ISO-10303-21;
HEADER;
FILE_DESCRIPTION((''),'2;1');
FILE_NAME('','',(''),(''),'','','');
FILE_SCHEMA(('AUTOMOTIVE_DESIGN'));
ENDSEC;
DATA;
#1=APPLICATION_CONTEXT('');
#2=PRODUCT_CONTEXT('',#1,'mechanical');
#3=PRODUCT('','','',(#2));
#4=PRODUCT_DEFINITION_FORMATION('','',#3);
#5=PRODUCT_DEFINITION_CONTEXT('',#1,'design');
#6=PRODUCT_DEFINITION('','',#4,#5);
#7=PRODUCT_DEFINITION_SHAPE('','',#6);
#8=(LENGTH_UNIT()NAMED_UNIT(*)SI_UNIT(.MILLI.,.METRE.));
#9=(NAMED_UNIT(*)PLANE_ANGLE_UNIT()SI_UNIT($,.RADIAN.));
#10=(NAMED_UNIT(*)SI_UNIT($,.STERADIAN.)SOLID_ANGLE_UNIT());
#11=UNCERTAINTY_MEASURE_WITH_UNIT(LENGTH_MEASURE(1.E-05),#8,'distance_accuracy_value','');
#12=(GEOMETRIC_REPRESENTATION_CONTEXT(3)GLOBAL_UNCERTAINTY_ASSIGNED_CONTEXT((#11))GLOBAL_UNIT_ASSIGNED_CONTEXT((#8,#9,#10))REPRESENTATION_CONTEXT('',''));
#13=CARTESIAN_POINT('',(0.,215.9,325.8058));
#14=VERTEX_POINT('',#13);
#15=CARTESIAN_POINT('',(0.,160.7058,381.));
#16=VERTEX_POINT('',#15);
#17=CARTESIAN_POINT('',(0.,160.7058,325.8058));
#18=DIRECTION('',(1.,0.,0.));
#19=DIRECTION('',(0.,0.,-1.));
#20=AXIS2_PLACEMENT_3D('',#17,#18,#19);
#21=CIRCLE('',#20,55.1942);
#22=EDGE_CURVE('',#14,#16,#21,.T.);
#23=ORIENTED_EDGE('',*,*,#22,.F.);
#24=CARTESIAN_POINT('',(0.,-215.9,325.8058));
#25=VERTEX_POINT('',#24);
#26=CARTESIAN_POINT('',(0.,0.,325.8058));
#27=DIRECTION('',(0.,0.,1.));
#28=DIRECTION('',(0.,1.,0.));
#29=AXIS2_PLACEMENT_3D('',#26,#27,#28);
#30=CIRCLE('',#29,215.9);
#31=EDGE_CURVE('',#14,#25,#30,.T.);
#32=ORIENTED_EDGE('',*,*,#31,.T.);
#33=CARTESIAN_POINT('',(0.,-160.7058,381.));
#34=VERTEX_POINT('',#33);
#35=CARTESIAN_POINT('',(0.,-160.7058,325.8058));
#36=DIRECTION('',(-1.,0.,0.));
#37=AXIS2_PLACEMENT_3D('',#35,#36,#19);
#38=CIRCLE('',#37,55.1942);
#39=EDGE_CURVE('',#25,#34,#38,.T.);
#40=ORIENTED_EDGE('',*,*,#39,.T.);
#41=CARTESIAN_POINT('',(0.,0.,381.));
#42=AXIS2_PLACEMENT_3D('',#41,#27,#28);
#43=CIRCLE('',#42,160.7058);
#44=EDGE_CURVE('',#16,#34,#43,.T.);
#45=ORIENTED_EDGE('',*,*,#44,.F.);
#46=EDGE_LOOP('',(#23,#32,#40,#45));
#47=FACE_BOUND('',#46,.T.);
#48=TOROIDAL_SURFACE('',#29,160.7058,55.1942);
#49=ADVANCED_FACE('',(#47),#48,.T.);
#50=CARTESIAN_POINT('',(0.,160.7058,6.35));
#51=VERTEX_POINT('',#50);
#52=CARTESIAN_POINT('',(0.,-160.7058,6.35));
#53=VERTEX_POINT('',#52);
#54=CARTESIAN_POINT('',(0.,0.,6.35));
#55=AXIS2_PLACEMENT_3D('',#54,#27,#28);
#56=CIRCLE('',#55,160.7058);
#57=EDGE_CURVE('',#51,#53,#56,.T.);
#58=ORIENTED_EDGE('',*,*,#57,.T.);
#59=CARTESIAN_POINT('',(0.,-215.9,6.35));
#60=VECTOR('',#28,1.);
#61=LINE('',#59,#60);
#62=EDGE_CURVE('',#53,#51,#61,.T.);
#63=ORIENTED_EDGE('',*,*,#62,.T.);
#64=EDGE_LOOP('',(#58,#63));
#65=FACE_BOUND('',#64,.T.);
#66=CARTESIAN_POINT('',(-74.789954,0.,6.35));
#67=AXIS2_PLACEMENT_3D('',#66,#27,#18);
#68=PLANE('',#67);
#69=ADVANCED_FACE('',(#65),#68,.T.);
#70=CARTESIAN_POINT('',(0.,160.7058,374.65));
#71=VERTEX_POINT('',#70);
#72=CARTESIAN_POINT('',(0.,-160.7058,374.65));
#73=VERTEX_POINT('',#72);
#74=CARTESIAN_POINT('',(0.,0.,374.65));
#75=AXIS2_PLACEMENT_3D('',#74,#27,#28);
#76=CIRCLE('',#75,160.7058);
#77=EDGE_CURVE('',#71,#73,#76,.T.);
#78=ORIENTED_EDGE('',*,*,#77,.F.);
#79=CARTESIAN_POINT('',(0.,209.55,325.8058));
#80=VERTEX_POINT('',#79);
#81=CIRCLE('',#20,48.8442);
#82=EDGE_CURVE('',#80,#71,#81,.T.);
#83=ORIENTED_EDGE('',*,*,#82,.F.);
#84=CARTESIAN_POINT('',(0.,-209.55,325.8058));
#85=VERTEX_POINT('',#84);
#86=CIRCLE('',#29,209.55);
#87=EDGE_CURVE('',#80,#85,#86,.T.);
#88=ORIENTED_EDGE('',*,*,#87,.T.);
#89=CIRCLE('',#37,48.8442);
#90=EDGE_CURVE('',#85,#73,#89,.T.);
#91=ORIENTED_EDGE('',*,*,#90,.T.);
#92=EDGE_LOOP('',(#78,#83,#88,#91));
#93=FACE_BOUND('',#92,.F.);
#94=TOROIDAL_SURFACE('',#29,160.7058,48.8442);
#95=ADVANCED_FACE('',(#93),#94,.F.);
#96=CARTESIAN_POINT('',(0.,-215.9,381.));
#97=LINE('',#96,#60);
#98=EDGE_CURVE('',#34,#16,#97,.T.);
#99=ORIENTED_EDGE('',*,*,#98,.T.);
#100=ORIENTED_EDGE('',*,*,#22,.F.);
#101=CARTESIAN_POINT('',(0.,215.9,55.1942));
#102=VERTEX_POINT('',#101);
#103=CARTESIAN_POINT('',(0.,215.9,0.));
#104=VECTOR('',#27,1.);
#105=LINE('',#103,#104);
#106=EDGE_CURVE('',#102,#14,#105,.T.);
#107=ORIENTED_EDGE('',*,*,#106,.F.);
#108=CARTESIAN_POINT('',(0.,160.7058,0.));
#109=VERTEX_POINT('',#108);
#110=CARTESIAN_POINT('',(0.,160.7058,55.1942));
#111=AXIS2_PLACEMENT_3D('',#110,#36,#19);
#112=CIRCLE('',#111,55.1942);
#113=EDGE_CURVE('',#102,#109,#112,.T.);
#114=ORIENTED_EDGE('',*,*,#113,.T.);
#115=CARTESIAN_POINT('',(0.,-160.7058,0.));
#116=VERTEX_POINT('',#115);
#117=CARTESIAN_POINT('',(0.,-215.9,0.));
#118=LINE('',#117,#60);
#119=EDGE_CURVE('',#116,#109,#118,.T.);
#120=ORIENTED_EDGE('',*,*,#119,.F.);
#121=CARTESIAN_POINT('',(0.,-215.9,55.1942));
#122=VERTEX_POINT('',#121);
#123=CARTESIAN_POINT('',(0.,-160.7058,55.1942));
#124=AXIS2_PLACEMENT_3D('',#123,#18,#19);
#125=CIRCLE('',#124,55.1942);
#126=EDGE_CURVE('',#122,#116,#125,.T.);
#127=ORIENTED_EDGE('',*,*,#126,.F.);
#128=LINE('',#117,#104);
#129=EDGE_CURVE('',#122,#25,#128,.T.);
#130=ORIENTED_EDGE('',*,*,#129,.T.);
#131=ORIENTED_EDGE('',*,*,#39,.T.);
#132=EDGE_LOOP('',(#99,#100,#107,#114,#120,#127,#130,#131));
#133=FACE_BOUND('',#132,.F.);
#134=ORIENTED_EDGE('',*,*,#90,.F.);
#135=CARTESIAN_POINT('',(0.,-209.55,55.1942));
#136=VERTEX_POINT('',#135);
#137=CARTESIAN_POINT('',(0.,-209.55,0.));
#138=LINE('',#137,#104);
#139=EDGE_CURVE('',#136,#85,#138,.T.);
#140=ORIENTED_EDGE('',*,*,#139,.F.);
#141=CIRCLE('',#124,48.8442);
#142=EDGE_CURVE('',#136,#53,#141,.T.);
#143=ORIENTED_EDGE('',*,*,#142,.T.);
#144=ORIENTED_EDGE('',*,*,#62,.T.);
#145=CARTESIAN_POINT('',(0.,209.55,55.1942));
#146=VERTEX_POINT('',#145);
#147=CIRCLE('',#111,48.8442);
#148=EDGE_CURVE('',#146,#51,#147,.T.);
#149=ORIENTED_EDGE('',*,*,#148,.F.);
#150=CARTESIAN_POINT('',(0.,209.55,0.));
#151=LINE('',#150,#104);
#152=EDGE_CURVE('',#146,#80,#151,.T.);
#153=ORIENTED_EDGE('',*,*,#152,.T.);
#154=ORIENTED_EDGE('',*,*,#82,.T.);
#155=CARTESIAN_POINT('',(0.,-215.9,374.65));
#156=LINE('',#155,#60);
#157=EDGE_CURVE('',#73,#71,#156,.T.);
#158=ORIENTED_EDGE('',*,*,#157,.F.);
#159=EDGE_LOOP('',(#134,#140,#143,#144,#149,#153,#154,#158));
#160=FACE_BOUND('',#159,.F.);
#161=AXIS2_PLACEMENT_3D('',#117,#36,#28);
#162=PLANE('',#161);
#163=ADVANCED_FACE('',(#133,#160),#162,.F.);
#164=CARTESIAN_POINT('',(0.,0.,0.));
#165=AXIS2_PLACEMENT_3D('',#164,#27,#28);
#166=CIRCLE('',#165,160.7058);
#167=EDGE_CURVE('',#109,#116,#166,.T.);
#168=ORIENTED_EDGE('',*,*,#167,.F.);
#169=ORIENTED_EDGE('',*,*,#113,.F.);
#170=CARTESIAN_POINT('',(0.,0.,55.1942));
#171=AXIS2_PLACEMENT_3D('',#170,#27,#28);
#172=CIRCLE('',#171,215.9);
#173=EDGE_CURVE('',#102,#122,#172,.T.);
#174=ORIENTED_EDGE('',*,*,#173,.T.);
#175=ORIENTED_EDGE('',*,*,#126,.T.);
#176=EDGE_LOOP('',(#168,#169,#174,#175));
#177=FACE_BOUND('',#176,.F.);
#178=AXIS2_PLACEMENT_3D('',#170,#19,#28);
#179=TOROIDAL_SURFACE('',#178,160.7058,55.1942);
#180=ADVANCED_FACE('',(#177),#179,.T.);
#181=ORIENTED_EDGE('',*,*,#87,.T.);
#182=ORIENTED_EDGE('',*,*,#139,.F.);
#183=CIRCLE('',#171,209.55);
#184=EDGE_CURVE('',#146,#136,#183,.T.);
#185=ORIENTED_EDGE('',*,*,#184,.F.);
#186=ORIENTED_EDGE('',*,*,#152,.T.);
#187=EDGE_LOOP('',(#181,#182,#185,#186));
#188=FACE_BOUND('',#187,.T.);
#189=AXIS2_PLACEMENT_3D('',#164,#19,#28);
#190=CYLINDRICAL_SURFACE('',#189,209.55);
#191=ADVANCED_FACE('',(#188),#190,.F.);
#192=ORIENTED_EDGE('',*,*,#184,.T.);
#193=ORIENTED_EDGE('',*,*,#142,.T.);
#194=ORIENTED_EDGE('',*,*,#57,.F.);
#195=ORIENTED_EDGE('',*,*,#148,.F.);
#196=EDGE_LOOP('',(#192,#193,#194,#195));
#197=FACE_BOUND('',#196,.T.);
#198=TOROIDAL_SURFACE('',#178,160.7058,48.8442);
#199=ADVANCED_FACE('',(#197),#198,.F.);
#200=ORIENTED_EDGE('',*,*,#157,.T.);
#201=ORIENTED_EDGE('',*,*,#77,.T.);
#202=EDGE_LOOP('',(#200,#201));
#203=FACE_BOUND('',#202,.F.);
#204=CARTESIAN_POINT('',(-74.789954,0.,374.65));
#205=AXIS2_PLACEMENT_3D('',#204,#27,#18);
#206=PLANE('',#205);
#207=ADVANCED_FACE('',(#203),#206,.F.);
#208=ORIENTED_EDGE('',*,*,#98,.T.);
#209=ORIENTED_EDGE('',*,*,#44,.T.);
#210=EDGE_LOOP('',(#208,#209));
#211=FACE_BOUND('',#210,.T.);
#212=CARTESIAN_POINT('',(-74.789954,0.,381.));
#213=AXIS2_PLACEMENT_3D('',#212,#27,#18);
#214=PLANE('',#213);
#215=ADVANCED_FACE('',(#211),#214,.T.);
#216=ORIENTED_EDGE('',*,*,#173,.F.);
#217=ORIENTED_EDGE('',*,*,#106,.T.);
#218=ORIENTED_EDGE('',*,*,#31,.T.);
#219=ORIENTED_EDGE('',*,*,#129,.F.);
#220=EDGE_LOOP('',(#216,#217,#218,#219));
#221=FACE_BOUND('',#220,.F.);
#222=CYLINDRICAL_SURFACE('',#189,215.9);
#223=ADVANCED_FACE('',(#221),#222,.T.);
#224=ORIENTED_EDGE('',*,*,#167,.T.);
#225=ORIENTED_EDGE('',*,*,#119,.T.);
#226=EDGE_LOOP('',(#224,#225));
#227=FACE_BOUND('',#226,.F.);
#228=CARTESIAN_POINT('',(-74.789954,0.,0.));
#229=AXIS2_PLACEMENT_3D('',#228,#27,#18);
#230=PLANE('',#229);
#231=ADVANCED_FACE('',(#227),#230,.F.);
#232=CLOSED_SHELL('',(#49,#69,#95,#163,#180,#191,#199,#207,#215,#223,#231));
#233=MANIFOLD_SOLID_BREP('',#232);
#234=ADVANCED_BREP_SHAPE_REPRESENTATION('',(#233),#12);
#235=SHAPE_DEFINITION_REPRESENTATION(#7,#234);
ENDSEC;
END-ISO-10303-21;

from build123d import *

# Parameters (mm, degrees)
F1_DEPTH = 381
F2_R     = 55.1942
F3_R     = 55.1942
F4_T     = -6.35


with BuildPart() as f1:
    # F0 (on Top) → F1 (new body)
    with BuildSketch(Plane.XY):
        with BuildLine():
            Line((0, -215.9), (0, 215.9))
            ThreePointArc((0, 215.9), (-215.9, 0), (0, -215.9))
        make_face()
    extrude(amount=F1_DEPTH)

    # F2
    f2_edges = [f1.edges().sort_by_distance(p)[0] for p in [
        (-215.9, 0, 381),
    ]]
    fillet(f2_edges, radius=F2_R)

    # F3
    f3_edges = [f1.edges().sort_by_distance(p)[0] for p in [
        (-215.9, 0, 0),
    ]]
    fillet(f3_edges, radius=F3_R)

    # F4
    f4_openings = [f1.faces().sort_by_distance(p)[0] for p in [
        (0, 0, 190.5),
    ]]
    offset(amount=F4_T, openings=f4_openings)


solid = f1.part
